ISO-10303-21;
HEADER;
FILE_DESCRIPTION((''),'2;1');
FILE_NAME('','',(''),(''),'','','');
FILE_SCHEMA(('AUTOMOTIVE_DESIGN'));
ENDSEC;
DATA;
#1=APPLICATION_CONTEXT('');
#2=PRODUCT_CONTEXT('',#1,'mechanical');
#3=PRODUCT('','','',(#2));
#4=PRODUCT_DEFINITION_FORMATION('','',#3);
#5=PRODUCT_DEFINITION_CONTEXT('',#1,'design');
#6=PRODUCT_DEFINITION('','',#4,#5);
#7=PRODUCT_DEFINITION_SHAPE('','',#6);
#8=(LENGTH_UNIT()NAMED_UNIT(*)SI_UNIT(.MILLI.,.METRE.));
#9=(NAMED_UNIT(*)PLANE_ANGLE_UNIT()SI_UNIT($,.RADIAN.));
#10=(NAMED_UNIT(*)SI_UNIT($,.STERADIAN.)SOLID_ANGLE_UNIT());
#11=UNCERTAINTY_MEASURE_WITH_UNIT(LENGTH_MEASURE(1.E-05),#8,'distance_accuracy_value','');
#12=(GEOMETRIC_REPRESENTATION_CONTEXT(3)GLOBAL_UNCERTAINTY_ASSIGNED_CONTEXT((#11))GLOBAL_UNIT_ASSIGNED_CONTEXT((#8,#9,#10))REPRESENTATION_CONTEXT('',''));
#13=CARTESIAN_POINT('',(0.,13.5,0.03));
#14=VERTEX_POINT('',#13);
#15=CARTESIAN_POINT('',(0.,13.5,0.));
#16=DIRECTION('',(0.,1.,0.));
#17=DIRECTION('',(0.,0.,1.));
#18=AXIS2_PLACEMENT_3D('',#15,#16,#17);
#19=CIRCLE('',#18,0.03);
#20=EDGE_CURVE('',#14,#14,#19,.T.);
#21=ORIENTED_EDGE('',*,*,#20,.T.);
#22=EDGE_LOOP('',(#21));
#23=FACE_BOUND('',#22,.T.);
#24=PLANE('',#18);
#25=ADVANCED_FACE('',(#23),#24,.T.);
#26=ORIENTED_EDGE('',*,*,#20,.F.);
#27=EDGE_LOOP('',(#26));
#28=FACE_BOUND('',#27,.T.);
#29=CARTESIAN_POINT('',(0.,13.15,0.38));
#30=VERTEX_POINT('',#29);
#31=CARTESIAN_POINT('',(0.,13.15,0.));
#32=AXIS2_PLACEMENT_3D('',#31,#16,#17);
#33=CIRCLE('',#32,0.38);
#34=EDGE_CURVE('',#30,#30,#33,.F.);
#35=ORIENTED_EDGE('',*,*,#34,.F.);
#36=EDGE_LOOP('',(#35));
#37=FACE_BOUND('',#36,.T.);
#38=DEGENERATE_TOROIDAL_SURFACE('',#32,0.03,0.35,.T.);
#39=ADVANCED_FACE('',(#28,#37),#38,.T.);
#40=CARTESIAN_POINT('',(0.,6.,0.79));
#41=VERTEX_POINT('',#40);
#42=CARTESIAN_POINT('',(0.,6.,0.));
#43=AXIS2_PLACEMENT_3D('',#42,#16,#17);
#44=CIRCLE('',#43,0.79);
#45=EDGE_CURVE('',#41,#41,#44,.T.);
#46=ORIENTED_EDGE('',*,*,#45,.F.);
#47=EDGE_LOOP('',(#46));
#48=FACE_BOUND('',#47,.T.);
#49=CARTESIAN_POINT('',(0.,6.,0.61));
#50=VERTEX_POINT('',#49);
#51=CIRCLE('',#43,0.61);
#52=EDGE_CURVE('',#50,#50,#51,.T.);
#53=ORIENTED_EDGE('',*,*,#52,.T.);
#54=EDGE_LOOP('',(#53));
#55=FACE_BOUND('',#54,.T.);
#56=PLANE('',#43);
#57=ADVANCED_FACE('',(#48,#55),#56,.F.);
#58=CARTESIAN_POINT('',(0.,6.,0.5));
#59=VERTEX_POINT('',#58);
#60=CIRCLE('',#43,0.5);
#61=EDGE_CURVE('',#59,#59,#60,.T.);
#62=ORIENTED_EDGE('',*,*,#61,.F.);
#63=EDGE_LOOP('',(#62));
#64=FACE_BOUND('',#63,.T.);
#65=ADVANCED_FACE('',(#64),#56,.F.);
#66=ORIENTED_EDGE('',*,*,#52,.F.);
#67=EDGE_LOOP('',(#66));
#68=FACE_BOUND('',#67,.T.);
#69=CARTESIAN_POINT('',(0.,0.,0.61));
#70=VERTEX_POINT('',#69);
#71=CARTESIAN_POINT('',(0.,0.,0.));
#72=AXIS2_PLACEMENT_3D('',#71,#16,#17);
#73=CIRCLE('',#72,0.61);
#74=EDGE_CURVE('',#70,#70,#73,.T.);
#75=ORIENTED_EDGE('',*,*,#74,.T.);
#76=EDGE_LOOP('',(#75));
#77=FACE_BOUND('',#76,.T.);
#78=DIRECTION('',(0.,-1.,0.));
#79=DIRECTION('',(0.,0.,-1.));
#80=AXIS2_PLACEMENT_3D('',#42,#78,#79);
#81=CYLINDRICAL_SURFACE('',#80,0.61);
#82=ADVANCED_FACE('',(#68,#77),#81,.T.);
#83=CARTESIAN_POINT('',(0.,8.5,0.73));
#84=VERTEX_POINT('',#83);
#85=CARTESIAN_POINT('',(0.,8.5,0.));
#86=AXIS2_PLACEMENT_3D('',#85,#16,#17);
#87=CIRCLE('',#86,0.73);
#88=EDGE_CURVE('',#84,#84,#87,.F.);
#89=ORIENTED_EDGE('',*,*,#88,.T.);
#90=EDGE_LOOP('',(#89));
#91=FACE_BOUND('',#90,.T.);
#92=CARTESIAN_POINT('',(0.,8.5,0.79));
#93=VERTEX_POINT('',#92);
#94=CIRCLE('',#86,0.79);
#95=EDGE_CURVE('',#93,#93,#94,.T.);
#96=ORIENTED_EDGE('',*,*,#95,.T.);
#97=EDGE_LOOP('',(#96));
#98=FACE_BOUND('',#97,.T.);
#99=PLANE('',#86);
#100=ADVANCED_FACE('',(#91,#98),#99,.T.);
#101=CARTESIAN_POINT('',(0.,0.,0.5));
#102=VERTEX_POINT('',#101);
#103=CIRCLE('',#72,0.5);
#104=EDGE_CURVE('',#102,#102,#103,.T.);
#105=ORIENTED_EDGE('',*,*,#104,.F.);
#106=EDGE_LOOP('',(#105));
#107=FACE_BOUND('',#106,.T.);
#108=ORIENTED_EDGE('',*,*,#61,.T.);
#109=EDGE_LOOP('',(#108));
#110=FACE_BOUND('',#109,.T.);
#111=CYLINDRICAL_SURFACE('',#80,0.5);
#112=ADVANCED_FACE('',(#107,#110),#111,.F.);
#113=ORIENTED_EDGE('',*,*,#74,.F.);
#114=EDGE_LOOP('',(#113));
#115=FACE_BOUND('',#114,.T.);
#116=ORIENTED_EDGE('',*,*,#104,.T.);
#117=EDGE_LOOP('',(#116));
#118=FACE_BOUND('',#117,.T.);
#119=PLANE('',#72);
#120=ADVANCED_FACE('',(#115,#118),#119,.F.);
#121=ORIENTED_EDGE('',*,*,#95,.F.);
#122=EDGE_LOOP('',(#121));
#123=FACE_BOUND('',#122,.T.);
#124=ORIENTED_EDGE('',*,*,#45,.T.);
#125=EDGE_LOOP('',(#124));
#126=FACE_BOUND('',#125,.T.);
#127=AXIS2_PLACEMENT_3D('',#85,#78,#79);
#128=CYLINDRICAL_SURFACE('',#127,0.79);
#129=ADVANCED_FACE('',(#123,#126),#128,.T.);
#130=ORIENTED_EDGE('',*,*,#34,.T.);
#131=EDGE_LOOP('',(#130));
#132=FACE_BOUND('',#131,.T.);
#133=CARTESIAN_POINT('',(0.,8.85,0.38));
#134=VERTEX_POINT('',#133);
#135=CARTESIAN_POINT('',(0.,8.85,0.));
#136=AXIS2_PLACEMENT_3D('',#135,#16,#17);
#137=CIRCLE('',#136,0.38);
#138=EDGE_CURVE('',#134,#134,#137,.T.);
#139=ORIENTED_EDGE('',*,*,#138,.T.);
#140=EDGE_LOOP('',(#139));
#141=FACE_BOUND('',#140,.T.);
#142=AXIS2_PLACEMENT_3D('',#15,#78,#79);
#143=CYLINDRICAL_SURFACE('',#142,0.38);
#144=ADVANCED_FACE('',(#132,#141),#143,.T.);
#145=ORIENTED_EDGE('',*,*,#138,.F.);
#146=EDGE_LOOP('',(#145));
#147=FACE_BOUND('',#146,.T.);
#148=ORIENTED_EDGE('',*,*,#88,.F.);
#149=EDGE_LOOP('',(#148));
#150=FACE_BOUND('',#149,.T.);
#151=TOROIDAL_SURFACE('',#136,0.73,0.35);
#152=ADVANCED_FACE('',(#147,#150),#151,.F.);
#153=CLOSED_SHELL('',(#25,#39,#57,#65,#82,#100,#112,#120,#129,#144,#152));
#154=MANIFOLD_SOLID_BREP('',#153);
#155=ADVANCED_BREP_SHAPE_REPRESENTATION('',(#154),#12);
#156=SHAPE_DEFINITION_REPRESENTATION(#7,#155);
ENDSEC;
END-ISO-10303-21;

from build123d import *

# Parameters (mm, degrees)
SKETCH1_R           = 0.61
SKETCH1_R_2         = 0.5
BOSS_EXTRUDE1_DEPTH = 6
SKETCH2_R           = 0.79
BOSS_EXTRUDE2_DEPTH = 2.5
SKETCH3_R           = 0.38
BOSS_EXTRUDE3_DEPTH = 5
FILLET1_R           = 0.35
FILLET2_R           = 0.35


with BuildPart() as part:
    # Sketch1 → Boss-Extrude1 (new body)
    with BuildSketch(Plane(origin=(0, 0, 0), x_dir=(1, 0, 0), z_dir=(0, 1, 0))):
        Circle(SKETCH1_R)
        Circle(SKETCH1_R_2, mode=Mode.SUBTRACT)
    extrude(amount=BOSS_EXTRUDE1_DEPTH)

    # Sketch2 → Boss-Extrude2 (add)
    with BuildSketch(Plane(origin=(0, 6, 0), x_dir=(1, 0, 0), z_dir=(0, 1, 0))):
        Circle(SKETCH2_R)
    extrude(amount=BOSS_EXTRUDE2_DEPTH)

    # Sketch3 → Boss-Extrude3 (add)
    with BuildSketch(Plane(origin=(0, 8.5, 0), x_dir=(1, 0, 0), z_dir=(0, 1, 0))):
        Circle(SKETCH3_R)
    extrude(amount=BOSS_EXTRUDE3_DEPTH)

    # Fillet1
    fillet1_edges = [part.edges().sort_by_distance(p)[0] for p in [
        (-0.38, 13.5, 0),
    ]]
    fillet(fillet1_edges, radius=FILLET1_R)

    # Fillet2
    fillet2_edges = [part.edges().sort_by_distance(p)[0] for p in [
        (-0.38, 8.5, 0),
    ]]
    fillet(fillet2_edges, radius=FILLET2_R)


solid = part.part
